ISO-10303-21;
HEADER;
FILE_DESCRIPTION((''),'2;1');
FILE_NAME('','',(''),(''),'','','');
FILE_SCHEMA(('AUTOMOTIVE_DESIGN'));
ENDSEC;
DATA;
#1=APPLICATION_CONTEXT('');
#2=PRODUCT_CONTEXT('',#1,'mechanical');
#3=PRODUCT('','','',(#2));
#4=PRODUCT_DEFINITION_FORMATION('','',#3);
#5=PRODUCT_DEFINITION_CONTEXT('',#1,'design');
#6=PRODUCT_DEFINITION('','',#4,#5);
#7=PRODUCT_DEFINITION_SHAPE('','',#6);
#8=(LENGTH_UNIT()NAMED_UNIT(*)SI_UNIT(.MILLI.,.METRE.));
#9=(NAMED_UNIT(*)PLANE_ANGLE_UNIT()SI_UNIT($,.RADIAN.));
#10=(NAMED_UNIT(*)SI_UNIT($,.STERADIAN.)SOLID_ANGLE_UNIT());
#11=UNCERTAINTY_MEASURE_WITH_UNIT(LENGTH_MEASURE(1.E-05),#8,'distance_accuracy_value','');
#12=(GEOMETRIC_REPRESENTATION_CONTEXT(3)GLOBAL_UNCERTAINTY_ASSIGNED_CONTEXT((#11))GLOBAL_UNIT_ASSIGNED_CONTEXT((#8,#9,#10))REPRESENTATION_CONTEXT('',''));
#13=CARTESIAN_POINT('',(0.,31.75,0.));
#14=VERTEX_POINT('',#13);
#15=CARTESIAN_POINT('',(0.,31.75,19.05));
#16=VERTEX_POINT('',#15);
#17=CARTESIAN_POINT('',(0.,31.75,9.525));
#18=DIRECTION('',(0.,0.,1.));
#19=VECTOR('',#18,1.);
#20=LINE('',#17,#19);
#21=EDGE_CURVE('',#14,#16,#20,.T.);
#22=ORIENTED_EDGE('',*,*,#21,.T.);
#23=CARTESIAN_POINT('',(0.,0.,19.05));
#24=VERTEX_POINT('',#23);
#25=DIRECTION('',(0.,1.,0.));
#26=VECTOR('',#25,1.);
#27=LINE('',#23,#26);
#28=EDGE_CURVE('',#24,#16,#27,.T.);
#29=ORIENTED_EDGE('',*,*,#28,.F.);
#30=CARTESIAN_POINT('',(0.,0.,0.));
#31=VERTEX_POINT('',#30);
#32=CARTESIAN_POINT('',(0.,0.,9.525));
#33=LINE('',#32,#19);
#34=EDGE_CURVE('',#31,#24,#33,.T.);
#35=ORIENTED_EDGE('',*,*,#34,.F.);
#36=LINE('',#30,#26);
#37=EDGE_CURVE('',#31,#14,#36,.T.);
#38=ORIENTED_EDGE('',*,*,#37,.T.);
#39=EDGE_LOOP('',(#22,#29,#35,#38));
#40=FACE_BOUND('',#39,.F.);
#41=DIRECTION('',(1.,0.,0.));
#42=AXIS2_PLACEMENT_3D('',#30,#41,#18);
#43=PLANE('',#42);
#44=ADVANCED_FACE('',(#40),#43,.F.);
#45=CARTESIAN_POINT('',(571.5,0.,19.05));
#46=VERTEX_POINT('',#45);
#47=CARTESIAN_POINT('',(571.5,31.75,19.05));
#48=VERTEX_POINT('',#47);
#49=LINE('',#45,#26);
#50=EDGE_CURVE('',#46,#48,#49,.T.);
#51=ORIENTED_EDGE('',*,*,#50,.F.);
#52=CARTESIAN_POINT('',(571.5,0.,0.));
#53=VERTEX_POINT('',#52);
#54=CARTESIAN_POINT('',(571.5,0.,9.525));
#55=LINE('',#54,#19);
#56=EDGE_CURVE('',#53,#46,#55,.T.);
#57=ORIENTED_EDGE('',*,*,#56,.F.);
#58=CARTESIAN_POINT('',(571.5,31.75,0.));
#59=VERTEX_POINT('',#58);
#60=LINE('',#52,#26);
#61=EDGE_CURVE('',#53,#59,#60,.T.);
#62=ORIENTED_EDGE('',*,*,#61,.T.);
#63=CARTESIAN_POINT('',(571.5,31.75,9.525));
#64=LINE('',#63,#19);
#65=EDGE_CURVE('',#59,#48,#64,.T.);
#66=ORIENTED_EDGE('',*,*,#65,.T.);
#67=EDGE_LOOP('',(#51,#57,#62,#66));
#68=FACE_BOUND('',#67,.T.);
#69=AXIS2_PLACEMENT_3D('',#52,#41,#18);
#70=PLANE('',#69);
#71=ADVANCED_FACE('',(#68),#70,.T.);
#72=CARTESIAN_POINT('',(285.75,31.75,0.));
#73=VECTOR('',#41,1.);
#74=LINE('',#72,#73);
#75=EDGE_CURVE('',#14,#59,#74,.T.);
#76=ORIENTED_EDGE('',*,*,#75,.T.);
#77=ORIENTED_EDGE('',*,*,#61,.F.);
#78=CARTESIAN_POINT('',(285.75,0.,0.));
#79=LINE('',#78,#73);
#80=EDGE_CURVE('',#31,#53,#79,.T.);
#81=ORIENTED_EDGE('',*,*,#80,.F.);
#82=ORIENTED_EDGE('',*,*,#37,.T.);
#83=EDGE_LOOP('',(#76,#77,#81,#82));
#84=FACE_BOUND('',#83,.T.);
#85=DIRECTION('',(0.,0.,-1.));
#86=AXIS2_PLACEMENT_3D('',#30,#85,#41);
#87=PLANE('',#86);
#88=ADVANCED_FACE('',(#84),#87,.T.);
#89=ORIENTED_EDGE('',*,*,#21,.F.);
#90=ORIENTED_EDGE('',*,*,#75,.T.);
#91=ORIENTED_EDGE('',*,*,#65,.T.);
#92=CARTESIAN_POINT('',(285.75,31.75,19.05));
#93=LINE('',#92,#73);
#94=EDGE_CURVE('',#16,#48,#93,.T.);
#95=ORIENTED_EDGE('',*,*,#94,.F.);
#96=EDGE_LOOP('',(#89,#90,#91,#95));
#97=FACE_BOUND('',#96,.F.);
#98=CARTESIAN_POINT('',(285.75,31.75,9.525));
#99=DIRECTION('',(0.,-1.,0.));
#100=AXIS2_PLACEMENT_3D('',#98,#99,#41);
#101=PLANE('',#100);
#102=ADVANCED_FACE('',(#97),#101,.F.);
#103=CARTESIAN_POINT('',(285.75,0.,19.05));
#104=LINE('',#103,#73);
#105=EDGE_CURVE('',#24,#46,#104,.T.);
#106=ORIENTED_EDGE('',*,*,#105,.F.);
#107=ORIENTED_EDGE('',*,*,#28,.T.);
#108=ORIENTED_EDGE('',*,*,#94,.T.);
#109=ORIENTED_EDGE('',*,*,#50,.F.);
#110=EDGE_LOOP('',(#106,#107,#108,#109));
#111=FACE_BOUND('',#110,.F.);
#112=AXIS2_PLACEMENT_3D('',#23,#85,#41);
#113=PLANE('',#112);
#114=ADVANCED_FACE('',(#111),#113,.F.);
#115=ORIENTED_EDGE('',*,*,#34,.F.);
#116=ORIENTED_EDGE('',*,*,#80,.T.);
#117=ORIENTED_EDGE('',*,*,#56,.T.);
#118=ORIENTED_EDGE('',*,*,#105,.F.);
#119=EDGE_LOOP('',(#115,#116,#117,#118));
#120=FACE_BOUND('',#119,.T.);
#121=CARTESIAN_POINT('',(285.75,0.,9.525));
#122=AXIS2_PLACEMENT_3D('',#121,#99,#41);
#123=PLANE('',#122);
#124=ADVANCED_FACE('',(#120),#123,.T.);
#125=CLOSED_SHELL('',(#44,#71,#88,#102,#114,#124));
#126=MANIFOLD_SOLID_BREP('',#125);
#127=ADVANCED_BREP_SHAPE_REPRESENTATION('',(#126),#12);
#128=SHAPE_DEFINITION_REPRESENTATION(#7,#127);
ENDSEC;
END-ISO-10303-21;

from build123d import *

# Parameters (mm, degrees)
F0_W     = 571.5
F0_H     = 19.05
F1_DEPTH = 31.75


with BuildPart() as f1:
    # F0 (on Front) → F1 (new body)
    with BuildSketch(Plane.XZ):
        with Locations((285.75, 9.525)):
            Rectangle(F0_W, F0_H)
    extrude(amount=-F1_DEPTH)


with BuildPart() as f2_1:
    # F2: copy of F1
    add(f1.part)


solid = f1.part
